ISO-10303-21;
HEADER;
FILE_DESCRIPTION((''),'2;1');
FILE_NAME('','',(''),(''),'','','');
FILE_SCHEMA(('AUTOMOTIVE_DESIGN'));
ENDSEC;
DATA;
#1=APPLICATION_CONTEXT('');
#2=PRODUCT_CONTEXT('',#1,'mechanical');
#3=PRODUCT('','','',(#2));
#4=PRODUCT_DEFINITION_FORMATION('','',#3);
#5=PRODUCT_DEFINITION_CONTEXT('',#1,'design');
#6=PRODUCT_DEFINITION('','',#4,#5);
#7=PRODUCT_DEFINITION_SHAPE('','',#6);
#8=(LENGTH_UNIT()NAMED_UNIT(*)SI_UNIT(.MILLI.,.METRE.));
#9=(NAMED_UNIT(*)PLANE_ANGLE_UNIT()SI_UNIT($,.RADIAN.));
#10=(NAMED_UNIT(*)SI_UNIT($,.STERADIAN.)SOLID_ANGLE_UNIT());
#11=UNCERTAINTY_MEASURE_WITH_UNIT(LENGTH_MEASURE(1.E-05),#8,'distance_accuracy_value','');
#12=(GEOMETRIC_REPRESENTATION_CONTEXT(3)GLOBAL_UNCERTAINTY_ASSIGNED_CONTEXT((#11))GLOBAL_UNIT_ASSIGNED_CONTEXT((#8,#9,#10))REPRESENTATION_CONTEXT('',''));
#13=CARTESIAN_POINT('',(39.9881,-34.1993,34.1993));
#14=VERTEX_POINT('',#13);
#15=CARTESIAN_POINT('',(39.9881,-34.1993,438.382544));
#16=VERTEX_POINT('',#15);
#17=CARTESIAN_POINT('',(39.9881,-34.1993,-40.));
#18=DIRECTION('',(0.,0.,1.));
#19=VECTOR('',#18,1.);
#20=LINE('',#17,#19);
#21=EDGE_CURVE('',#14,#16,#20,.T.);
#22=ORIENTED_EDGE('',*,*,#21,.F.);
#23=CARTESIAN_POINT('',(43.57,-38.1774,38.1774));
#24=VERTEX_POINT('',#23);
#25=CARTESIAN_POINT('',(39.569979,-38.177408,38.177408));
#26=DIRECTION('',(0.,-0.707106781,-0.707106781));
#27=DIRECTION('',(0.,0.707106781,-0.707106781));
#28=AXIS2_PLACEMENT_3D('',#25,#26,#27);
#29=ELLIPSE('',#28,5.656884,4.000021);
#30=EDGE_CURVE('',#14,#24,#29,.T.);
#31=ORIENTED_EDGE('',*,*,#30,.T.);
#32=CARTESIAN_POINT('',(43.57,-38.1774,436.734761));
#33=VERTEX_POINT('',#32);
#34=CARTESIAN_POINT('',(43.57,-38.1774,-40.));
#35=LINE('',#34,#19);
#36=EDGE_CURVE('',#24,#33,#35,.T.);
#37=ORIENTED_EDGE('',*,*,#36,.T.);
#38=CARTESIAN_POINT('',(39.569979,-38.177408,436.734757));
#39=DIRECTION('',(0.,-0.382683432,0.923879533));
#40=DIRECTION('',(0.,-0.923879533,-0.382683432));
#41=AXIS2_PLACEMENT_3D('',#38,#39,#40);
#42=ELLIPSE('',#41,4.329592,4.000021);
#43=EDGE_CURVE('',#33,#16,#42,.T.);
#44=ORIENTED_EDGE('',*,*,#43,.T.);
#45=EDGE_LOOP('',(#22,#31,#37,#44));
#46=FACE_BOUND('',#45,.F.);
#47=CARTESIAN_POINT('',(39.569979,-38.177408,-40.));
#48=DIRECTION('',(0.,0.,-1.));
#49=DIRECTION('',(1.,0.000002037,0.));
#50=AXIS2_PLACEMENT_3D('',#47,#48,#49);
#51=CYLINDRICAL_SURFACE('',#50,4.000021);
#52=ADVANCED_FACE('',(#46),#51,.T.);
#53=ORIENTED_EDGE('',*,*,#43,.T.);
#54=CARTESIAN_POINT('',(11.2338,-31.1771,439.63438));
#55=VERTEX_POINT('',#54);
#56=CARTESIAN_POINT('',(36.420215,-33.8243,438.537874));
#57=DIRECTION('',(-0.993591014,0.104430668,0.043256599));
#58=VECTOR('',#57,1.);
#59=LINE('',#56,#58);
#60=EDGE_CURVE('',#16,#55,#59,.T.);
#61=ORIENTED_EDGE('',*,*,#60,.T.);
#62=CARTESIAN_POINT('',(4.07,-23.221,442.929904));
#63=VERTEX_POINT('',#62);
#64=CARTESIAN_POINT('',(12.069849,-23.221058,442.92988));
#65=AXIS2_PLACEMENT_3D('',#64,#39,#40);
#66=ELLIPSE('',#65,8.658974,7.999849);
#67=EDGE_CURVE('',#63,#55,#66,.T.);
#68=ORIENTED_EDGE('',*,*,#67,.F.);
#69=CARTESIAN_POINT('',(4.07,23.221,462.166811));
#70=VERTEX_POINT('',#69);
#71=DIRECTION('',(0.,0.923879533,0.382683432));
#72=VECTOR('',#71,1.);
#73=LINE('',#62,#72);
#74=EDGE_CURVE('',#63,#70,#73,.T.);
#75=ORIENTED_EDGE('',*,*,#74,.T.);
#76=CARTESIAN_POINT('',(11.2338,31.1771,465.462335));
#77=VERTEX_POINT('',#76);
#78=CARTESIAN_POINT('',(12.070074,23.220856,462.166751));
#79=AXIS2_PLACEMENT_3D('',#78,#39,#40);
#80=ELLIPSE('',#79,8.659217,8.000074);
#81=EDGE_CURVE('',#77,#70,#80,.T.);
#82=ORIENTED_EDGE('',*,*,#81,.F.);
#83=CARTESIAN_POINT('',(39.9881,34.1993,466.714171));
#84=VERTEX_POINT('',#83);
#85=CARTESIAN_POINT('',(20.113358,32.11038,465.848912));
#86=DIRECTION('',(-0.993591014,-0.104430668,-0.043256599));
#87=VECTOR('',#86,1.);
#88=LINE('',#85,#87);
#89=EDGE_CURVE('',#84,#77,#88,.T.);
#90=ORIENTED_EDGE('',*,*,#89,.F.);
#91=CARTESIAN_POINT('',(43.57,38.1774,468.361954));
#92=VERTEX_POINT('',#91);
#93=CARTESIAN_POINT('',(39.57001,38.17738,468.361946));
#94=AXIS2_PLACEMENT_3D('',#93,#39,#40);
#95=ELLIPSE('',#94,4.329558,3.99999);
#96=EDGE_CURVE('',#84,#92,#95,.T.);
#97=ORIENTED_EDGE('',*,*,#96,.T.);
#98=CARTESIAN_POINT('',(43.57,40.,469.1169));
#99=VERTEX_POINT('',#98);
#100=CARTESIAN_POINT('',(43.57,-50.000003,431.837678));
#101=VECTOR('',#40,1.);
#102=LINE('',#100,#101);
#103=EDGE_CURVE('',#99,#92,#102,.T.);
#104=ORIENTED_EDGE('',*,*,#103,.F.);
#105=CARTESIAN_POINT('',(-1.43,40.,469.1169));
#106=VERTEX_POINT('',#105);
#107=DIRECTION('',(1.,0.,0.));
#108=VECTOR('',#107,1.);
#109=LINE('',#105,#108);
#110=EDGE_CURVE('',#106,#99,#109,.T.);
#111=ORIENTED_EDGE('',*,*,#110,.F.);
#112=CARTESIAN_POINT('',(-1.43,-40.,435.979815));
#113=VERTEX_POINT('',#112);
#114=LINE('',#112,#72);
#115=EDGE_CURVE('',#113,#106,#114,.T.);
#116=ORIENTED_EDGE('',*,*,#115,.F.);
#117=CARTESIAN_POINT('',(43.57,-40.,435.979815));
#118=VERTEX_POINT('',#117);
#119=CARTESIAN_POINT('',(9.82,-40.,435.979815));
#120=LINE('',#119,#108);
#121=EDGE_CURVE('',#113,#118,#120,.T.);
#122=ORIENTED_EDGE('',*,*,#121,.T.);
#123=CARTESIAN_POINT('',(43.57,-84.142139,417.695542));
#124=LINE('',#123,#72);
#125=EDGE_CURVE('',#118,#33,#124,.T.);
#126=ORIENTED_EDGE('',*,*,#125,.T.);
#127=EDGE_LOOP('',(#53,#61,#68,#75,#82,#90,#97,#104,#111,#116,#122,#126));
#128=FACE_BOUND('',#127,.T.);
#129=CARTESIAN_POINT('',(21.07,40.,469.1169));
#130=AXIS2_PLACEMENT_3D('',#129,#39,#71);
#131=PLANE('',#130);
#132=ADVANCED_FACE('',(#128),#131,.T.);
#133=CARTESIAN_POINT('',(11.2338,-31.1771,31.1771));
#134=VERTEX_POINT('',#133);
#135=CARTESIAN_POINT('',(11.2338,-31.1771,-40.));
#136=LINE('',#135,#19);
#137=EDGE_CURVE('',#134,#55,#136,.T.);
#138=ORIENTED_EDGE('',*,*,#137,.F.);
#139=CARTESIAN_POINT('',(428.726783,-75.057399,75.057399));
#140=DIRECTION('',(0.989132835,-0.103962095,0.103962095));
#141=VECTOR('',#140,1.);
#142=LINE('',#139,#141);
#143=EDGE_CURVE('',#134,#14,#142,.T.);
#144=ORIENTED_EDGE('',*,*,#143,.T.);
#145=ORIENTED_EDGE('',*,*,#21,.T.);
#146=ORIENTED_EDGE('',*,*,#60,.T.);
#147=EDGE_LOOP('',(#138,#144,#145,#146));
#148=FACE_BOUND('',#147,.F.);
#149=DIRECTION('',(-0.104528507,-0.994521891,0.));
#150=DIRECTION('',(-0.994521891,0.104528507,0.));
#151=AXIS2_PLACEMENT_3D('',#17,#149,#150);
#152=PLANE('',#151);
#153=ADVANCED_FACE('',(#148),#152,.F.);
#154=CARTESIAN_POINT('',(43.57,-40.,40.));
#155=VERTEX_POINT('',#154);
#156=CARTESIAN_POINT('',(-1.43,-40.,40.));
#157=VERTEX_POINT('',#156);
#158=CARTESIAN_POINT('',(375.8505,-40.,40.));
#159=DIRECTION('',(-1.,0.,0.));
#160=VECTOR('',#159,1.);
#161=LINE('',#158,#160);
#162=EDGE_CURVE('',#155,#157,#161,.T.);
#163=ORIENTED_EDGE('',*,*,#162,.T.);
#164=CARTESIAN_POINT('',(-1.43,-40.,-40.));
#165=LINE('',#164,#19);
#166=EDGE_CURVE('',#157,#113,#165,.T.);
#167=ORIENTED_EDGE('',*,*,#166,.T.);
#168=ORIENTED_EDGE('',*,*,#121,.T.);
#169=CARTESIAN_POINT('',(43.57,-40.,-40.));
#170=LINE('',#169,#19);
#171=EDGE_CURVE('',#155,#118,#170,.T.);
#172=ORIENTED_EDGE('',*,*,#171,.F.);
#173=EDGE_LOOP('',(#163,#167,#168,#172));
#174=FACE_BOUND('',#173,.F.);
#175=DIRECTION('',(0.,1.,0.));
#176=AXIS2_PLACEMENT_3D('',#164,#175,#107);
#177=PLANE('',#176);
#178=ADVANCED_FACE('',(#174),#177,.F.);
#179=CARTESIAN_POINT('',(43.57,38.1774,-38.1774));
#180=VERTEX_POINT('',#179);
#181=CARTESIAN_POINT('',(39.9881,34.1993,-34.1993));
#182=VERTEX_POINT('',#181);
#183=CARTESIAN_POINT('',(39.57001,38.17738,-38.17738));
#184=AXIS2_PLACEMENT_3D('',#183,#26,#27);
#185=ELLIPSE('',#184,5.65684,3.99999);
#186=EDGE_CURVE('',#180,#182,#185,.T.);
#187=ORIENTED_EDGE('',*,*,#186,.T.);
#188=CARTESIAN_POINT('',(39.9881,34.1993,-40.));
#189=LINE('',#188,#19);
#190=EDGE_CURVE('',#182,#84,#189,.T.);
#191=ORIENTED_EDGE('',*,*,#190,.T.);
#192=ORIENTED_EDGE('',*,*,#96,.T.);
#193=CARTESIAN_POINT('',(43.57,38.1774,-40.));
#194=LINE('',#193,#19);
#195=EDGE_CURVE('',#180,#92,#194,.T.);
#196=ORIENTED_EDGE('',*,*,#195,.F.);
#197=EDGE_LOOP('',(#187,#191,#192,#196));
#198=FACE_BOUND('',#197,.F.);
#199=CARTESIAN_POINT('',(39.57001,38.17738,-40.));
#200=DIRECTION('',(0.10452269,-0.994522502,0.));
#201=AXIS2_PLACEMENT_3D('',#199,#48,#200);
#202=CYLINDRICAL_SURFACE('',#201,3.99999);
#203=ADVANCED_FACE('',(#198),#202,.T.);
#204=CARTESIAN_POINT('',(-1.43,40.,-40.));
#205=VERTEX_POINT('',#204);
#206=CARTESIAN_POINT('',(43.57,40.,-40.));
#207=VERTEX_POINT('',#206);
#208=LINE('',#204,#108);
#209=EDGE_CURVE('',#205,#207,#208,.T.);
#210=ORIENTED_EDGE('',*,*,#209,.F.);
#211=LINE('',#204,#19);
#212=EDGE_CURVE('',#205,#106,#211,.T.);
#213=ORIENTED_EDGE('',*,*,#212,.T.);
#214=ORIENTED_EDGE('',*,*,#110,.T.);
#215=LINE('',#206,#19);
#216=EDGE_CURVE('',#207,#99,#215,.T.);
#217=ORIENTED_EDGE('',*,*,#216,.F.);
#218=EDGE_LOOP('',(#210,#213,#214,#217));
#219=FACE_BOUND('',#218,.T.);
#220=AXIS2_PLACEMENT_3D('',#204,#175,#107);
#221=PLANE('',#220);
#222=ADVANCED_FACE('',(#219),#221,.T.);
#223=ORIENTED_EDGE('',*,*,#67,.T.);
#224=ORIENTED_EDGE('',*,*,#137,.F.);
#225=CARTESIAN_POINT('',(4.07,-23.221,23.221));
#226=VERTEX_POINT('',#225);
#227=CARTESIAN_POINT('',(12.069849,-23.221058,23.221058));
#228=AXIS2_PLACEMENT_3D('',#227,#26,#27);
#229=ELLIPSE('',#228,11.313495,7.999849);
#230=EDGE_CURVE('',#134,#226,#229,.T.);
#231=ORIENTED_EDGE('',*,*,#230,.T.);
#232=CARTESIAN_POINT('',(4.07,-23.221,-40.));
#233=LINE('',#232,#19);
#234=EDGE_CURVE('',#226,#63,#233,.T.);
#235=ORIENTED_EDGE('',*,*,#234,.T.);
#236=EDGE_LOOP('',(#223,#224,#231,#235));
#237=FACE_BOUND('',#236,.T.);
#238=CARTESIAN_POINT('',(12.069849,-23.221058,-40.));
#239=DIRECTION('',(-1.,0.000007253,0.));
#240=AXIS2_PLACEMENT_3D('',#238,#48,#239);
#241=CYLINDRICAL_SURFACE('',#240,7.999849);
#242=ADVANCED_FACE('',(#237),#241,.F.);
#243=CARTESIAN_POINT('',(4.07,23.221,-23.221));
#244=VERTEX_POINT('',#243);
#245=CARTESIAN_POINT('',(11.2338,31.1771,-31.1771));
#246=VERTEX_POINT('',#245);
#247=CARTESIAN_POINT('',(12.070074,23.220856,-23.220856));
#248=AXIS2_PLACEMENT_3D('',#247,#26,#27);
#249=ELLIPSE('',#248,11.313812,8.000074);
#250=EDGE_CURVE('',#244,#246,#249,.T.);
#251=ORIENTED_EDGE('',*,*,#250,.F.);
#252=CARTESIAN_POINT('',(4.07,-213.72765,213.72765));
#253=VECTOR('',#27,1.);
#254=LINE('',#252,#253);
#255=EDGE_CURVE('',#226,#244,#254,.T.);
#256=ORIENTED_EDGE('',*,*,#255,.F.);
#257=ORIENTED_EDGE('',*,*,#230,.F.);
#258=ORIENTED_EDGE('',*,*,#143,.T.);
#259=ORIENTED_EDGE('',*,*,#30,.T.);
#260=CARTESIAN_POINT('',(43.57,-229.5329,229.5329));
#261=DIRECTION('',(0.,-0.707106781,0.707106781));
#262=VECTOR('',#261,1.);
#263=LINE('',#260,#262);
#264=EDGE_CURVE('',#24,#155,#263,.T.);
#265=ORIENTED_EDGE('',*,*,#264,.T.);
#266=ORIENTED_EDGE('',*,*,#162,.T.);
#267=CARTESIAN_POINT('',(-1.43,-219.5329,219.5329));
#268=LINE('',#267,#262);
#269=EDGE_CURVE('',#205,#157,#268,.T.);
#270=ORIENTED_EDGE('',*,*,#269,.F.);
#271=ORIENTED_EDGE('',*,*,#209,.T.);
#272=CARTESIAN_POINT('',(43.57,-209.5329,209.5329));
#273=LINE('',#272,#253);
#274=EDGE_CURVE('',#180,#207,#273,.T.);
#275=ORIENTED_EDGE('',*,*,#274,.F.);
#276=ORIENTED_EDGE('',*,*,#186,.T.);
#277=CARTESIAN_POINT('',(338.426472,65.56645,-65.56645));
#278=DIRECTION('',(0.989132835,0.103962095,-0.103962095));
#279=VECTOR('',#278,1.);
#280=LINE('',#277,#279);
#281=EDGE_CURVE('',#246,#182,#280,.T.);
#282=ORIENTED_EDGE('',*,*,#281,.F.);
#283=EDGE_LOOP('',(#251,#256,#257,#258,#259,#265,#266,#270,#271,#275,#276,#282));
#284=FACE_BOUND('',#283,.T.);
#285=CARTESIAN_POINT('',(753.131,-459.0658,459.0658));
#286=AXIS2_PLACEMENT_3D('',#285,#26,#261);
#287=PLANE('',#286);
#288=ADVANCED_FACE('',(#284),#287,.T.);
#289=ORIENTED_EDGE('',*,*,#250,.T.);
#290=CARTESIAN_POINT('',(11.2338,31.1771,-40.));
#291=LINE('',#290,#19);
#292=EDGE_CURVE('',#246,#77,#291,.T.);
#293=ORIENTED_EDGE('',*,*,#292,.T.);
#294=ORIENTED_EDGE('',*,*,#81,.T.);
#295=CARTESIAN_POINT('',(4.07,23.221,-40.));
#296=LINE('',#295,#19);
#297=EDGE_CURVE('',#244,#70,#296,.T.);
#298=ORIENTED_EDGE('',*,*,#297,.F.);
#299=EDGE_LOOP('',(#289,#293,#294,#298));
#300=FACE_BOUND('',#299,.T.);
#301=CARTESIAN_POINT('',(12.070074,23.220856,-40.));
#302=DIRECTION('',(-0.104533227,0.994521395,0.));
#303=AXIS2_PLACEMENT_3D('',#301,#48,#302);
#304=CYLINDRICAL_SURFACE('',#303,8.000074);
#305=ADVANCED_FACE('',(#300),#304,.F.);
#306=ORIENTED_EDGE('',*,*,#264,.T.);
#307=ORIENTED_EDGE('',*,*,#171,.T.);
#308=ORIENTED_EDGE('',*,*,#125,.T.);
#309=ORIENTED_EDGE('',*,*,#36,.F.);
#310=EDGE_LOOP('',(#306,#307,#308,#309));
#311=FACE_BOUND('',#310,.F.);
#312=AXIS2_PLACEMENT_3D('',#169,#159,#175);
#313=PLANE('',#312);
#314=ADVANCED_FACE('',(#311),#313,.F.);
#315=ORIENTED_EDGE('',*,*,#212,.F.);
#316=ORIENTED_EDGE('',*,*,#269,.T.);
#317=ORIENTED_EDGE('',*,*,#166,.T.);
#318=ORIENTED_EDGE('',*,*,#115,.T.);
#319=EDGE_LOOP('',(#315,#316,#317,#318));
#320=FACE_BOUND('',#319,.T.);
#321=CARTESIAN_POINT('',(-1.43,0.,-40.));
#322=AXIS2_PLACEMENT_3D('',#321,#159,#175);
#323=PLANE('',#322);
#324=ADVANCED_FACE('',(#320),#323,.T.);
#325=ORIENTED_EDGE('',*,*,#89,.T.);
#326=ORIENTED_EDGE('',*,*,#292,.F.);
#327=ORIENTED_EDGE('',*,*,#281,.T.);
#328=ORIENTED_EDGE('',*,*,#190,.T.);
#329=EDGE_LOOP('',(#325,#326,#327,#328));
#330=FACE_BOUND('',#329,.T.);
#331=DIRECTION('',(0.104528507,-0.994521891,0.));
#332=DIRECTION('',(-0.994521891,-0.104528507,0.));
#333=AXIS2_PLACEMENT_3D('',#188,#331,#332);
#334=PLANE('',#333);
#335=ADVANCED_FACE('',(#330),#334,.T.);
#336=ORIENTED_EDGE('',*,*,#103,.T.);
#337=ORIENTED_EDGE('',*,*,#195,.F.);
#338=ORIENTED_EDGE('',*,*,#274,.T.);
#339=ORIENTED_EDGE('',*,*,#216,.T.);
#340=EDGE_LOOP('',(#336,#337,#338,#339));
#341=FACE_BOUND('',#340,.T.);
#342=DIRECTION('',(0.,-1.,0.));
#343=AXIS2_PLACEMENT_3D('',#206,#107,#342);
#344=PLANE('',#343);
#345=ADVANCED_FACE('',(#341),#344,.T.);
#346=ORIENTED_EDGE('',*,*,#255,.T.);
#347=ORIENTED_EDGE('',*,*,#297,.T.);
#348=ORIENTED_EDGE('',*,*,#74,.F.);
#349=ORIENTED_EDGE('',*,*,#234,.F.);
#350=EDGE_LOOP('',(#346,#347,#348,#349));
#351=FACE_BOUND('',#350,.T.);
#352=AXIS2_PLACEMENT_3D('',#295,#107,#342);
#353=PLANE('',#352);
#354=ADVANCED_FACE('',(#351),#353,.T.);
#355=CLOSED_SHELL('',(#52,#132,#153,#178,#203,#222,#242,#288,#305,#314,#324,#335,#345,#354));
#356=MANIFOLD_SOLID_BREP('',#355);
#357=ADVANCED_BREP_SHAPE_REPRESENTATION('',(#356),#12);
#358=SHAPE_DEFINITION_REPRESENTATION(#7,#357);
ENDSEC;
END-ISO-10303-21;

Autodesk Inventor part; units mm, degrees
ref_plane "Начальная плоскость" through (0, 0, -40) normal (0, 0, 1) x (1, 0, 0)
ref_plane "Конечная плоскость" through (0, 0, 469.1169) normal (0, 0, 1) x (1, 0, 0)
sketch "Эскиз" plane through (0, 0, 0) normal (0, 0, 1) x (1, 0, 0)
  line L0 (-1.43, 0) -> (-1.43, 40)
  line L1 (-1.43, 40) -> (43.57, 40)
  line L2 (43.57, 40) -> (43.57, 38.1774)
  line L3 (39.9881, 34.1993) -> (11.2338, 31.1771)
  line L4 (4.07, 23.221) -> (4.07, 0)
  line L5 (4.07, 0) -> (-1.43, 0) construction
  line L6 (23.82, 40) -> (23.82, 32.5) construction
  line L7 (43.57, 34.5758) -> (43.57, 32.5) construction
  line L8 (43.57, 32.5) -> (23.82, 32.5) construction
  line L9 (0, 15) -> (0, -27) construction
  line L10 (-5.539, 0) -> (16.0067, 0) construction
  line L11 (-1.43, 0) -> (-1.43, -40)
  line L12 (-1.43, -40) -> (43.57, -40)
  line L13 (43.57, -40) -> (43.57, -38.1774)
  line L14 (39.9881, -34.1993) -> (11.2338, -31.1771)
  line L15 (4.07, -23.221) -> (4.07, 0)
  arc A0 (11.2338, 31.1771) -> (4.07, 23.221) centre (12.07, 23.221) ccw
  arc A1 (4.07, -23.221) -> (11.2338, -31.1771) centre (12.07, -23.221) ccw
  arc A2 (39.9881, 34.1993) -> (43.57, 38.1774) centre (39.57, 38.1774) ccw
  arc A3 (43.57, -38.1774) -> (39.9881, -34.1993) centre (39.57, -38.1774) ccw
  line L16 (0, 56) -> (0, -56) construction
  line L17 (-15.5135, 0) -> (54.308, 0) construction
  point P0 (4.07, 30.4242)
  point P1 (43.57, -34.5758)
  point P2 (4.07, -30.4242)
  point P3 (23.82, -40)
  point P4 (23.82, -32.5)
  dimension "d0" = 5.5
  dimension "d1" = 40
  dimension "d2" = 45
  dimension "d3" = 7.5
  dimension "d4" = 19.75
  dimension "d5" = 2.0758
  dimension "d23" = 8
  dimension "d24" = 4
  dimension "d25" = 1.43
extrude "Тело" add sketch "Эскиз" along normal up to surface (509.1169 mm away) from surface at -40
sketch "Sketch3" plane through (0, 0, 0) normal (0, 0, 1) x (1, 0, 0)
  line L0 (0, 0) -> (10, 0)
ref_plane "Work Plane3" through (0, 0, 0) normal (0, -1, 0) x (1, 0, 0)
sketch "Sketch4" plane through (0, 0, 0) normal (0, -1, 0) x (1, 0, 0)
  line L0 (-2, -40) -> (12, -40)
  line L1 (-2, 469.1169) -> (12, 469.1169)
  dimension "d29" = 509.1169
ref_plane "РабПлоскость4" through (21.07, 40, 469.1169) normal (0, -0.3827, 0.9239) x (1, 0, 0)
split "Разделение1" plane through (21.07, 40, 469.1169) removes the side toward (0, -0.3827, 0.9239)
ref_plane "РабПлоскость8" through (753.131, -459.0658, 459.0658) normal (0, -0.7071, -0.7071) x (1, 0, 0)
split "Разделение2" plane through (753.131, -459.0658, 459.0658) removes the side toward (0, -0.7071, -0.7071)
equation "\"d0\" = G_T"
equation "\"d1\" = 0.5 * G_H"
equation "\"d2\" = G_W"
equation "\"d3\" = G_T1"
equation "\"d4\" = G_C"
equation "\"d23\" = G_IR"
equation "\"d24\" = G_ER"
equation "\"d25\" = ex"
equation "\"d6\" = G_L"
equation "\"G_W\" = 45"
equation "\"G_T\" = 5.5"
equation "\"G_T1\" = 7.5"
equation "\"G_NG\" = 0.105104"
equation "\"G_ER\" = 4"
equation "\"G_IR\" = 8"
equation "\"G_C\" = 19.75"
equation "\"G_L\" = d29"
equation "\"ex\" = 1.43"
equation "\"G_OFFSET_END\" = 16.56854"
equation "\"d27\" = G_OFFSET_END + B_L"
equation "\"B_L\" = 452.54834"
equation "\"G_H\" = 80"
properties part number "ISO 657/11 - CH 80 x 8 - 509,12" material "Сталь, мягкая"
